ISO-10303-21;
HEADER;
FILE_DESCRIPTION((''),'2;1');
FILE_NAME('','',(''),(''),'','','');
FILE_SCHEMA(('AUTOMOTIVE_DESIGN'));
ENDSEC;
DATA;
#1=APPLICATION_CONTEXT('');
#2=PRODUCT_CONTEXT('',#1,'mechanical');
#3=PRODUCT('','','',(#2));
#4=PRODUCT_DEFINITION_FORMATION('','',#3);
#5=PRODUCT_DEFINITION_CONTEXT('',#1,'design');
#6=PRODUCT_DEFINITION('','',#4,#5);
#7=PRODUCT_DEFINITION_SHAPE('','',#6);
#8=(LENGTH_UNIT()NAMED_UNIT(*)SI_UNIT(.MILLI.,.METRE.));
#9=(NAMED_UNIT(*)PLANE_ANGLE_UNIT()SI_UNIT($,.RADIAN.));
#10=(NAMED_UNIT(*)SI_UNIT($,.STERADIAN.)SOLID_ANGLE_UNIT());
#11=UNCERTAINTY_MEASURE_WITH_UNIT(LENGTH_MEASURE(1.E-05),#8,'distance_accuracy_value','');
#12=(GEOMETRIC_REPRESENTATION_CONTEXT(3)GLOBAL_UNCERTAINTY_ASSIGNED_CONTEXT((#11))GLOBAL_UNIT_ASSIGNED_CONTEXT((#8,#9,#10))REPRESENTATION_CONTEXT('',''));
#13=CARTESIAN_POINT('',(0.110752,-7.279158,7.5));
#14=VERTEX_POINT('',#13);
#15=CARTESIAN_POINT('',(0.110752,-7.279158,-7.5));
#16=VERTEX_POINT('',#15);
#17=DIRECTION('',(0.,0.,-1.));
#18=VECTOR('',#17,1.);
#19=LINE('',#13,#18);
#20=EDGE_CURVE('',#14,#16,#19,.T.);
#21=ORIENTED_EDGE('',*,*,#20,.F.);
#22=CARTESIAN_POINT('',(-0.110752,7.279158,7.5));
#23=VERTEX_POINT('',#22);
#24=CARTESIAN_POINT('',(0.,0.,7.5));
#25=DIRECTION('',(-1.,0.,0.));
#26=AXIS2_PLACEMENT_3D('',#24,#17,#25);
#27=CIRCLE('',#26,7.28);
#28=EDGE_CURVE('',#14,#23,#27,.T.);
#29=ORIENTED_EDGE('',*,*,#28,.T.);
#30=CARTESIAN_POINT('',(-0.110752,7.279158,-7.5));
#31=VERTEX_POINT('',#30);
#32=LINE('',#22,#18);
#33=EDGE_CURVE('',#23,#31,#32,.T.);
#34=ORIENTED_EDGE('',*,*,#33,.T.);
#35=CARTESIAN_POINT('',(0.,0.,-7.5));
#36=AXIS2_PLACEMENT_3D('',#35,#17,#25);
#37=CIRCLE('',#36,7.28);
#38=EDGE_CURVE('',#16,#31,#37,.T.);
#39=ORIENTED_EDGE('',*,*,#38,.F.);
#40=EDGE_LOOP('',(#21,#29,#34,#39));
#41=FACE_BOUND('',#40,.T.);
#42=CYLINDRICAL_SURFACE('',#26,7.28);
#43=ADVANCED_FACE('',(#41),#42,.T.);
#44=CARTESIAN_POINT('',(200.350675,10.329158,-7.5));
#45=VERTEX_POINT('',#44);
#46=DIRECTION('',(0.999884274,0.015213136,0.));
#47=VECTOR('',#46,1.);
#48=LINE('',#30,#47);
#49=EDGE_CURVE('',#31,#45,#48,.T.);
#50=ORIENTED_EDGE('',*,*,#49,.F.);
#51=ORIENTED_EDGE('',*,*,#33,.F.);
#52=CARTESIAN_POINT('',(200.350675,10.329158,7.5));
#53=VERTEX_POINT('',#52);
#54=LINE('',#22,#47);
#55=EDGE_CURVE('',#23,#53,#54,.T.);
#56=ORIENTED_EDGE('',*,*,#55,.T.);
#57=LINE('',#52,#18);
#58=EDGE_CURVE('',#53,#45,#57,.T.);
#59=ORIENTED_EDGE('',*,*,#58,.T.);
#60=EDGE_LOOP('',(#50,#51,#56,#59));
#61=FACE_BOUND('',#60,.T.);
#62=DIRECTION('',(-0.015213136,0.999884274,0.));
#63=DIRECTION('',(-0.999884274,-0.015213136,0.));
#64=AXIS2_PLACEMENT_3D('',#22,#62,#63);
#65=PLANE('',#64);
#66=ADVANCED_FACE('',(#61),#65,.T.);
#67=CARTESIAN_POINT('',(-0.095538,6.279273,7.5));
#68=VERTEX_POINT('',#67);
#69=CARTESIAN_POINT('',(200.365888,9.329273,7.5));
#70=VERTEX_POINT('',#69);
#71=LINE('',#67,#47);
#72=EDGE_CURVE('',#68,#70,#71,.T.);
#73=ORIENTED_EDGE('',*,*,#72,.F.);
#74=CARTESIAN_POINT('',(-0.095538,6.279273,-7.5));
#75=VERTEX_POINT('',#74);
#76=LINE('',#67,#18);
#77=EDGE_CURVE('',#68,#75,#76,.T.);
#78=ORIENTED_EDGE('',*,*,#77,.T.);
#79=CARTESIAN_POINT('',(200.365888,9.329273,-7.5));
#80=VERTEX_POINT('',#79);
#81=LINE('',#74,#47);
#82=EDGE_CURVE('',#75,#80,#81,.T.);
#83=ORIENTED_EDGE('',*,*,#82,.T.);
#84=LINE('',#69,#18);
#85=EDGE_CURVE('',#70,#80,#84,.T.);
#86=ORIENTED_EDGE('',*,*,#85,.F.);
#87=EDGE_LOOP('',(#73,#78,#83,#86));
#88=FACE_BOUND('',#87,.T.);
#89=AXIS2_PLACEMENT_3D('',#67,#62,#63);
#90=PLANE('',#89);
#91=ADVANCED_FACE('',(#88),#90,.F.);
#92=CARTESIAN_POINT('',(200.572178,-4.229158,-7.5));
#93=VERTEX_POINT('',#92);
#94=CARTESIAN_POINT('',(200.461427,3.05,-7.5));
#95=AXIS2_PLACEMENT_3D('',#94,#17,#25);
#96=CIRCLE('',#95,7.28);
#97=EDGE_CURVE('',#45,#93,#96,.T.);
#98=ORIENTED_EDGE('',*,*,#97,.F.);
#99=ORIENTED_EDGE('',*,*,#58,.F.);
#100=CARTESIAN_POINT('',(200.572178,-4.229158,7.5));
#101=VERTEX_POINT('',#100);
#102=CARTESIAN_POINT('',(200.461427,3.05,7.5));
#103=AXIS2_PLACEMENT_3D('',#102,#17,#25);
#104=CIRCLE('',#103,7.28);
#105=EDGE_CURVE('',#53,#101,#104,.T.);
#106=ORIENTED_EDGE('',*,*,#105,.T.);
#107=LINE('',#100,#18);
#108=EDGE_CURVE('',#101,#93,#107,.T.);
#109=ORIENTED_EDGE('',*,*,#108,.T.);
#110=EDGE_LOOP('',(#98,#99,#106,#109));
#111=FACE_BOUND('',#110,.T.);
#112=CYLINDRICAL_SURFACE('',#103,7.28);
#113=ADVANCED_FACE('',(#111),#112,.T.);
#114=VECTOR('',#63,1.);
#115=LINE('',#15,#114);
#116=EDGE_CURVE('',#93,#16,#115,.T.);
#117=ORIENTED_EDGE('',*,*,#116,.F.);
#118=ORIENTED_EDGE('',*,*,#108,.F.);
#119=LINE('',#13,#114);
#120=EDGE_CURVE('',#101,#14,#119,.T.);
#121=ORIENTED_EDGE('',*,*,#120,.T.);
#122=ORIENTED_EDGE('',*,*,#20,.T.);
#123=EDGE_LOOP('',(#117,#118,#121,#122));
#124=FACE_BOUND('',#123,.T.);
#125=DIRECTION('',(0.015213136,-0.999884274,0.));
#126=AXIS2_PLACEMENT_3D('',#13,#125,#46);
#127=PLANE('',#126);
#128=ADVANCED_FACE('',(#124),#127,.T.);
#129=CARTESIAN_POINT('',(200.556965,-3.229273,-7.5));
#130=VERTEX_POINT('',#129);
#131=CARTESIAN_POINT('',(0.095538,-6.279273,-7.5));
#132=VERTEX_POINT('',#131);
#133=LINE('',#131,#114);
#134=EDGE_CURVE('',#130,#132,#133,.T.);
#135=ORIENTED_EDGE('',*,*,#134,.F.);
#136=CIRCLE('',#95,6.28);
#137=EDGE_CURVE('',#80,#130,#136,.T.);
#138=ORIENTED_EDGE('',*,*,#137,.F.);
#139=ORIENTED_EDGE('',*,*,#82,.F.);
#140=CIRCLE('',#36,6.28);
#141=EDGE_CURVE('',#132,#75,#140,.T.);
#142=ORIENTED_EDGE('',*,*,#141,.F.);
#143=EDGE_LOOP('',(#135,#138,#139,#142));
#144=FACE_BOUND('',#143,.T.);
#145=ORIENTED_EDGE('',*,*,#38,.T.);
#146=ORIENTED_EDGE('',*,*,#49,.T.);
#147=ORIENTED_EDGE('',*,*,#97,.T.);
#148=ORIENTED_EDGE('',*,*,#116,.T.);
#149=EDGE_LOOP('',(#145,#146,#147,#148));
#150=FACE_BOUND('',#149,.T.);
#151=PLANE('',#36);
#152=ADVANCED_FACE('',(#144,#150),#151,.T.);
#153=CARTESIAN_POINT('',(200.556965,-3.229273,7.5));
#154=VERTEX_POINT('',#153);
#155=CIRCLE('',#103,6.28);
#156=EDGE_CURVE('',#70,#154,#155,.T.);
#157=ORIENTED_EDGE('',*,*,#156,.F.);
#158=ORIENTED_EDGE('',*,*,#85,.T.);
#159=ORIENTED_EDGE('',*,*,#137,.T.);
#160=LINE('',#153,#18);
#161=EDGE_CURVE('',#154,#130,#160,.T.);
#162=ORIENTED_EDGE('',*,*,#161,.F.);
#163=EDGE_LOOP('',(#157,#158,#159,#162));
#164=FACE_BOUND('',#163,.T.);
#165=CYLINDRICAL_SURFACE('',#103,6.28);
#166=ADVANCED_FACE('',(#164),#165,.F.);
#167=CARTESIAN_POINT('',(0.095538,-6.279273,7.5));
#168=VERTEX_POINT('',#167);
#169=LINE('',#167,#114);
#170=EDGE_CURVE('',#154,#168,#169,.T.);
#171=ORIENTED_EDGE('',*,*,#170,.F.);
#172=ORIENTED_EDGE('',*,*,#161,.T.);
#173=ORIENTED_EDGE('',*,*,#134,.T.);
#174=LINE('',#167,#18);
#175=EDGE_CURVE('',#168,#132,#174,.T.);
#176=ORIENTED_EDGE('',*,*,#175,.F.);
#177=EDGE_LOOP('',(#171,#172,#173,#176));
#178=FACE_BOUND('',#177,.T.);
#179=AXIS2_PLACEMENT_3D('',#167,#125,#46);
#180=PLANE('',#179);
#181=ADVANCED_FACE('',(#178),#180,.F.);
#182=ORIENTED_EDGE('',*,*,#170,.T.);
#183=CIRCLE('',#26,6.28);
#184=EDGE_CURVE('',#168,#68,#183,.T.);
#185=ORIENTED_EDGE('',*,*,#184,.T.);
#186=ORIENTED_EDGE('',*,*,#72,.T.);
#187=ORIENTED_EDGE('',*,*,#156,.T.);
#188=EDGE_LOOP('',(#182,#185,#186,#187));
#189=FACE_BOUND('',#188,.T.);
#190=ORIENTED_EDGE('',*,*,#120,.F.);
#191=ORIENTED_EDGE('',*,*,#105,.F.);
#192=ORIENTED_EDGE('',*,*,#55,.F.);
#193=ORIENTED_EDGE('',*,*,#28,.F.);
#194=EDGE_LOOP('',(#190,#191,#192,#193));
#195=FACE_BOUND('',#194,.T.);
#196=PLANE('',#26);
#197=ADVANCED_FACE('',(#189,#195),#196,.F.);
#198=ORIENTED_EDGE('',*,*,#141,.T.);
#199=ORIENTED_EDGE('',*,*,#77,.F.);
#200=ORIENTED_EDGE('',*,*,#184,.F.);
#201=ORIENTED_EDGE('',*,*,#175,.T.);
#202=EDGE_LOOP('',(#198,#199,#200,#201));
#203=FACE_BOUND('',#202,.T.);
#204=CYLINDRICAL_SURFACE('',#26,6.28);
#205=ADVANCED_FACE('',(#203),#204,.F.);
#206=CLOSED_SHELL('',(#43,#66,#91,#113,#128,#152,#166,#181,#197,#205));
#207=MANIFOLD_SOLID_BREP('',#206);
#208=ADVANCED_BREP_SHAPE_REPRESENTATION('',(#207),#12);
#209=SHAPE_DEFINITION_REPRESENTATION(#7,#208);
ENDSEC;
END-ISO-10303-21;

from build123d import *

# Parameters (mm, degrees)
EXTRUDE_THIN1_DEPTH = 7.5


with BuildPart() as part:
    # Sketch2 → Extrude-Thin1 (new, symmetric)
    with BuildSketch(Plane.XY):
        with BuildLine():
            Line((200.572178166, -4.229157512), (0.110751633, -7.279157511))
            ThreePointArc((0.110751633, -7.279157511), (-7.279157511, -0.110751633), (-0.110751633, 7.279157511))
            Line((-0.110751633, 7.279157511), (200.350674899, 10.329157511))
            ThreePointArc((200.350674899, 10.329157511), (207.740584044, 3.160751633), (200.572178166, -4.229157512))
        make_face()
        with BuildLine():
            Line((200.556965029, -3.229273238), (0.095538497, -6.279273238))
            ThreePointArc((0.095538497, -6.279273238), (-6.279273238, -0.095538497), (-0.095538497, 6.279273238))
            Line((-0.095538497, 6.279273238), (200.365888036, 9.329273238))
            ThreePointArc((200.365888036, 9.329273238), (206.74069977, 3.145538497), (200.556965029, -3.229273238))
        make_face(mode=Mode.SUBTRACT)
    extrude(amount=EXTRUDE_THIN1_DEPTH, both=True)


solid = part.part
